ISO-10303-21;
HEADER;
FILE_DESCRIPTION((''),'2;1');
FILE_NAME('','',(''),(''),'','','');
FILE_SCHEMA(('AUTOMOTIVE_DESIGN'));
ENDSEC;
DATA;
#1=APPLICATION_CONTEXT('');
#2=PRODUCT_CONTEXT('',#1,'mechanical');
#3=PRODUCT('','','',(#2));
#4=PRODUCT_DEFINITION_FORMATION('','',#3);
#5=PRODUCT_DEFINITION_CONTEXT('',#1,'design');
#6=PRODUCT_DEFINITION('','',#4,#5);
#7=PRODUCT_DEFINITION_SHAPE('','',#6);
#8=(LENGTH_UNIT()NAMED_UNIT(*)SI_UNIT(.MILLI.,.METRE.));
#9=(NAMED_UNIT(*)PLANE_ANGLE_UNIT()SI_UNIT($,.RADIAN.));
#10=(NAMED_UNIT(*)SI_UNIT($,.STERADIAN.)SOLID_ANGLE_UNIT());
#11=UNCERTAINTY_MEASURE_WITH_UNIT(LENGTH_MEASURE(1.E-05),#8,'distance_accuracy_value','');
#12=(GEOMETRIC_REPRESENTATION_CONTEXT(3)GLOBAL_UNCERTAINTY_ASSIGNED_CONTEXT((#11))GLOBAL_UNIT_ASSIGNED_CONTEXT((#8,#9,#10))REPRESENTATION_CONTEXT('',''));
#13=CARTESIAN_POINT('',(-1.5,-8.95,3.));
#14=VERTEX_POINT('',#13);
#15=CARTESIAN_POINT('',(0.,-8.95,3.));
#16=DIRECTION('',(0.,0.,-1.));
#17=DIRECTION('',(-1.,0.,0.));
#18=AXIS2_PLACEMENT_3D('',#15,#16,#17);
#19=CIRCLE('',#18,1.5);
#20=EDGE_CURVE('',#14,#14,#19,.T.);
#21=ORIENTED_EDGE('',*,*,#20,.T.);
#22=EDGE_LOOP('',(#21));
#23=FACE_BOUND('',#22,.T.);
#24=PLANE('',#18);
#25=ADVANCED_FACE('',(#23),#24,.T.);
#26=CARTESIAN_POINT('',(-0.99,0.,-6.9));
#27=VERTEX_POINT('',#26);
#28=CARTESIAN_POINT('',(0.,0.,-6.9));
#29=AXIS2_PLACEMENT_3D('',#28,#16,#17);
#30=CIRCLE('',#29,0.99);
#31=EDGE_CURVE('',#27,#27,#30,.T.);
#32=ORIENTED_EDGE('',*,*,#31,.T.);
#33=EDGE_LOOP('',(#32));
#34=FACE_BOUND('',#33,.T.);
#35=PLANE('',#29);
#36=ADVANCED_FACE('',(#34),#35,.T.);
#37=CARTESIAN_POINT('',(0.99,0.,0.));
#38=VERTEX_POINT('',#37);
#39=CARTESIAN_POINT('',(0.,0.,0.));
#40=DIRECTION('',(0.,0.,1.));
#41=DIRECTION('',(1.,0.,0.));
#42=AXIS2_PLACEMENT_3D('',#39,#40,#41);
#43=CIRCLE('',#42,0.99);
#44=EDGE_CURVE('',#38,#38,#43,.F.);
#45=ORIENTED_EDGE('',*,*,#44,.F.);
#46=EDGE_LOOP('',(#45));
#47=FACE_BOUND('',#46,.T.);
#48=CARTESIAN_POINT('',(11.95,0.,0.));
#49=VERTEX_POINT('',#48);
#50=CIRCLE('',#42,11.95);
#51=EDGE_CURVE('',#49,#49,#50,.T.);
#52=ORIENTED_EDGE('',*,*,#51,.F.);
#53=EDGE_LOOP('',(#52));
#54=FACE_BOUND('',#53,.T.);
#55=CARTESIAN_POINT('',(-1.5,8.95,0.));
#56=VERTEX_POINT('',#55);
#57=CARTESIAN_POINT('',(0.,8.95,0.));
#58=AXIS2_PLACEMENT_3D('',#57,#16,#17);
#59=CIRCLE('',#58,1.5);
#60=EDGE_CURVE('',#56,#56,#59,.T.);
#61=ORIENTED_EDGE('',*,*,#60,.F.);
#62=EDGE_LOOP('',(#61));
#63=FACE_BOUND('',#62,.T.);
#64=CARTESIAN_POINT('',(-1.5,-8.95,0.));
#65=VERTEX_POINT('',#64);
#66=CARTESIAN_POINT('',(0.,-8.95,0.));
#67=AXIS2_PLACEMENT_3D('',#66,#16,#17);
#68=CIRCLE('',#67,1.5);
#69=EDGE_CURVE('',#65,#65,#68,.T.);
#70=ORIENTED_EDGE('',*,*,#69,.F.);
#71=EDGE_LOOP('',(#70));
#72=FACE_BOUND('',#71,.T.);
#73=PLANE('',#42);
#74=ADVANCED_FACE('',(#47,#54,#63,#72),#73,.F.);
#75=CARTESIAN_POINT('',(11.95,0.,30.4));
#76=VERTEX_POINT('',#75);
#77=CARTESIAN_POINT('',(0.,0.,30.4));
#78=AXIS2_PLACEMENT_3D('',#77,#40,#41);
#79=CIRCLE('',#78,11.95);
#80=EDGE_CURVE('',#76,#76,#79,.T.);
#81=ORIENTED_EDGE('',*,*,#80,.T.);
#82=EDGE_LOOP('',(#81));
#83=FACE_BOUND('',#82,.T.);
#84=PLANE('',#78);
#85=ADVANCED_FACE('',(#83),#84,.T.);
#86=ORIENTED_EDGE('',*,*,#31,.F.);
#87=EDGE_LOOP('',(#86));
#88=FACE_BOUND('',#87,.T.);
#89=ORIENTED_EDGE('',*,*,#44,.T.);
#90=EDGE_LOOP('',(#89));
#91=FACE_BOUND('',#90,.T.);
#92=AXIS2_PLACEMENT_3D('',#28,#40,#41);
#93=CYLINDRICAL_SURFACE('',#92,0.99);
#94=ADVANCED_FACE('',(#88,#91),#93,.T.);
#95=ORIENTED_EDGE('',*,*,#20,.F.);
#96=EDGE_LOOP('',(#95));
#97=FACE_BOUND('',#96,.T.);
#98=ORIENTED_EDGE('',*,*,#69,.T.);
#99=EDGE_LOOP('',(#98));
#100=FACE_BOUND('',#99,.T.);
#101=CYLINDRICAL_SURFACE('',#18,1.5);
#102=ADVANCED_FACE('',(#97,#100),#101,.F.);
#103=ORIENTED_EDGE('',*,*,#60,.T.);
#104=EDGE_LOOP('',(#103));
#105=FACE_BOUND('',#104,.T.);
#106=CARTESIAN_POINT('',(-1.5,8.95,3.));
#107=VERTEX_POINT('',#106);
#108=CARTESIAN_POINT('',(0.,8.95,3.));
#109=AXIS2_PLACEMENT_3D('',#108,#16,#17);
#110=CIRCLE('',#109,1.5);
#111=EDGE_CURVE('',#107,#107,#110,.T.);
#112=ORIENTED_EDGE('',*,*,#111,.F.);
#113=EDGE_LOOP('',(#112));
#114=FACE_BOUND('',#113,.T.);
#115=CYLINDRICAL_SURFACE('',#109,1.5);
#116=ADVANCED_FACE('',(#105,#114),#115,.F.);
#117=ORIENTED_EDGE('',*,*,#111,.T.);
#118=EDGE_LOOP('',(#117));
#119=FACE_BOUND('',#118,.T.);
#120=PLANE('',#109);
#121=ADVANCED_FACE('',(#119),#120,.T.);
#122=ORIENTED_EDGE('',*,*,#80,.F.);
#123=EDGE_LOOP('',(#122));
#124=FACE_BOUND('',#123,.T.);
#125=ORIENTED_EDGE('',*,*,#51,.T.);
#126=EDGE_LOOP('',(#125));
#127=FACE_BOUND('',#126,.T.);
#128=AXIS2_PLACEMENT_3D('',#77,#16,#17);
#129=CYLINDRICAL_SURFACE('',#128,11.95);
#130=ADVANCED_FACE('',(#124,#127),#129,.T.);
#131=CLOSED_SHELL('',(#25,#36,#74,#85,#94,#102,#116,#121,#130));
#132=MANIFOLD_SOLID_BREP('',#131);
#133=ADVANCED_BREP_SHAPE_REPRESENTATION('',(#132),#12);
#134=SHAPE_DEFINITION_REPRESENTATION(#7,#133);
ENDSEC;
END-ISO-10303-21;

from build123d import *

# Parameters (mm, degrees)
SKETCH2_R           = 11.95
BOSS_EXTRUDE1_DEPTH = 30.4
SKETCH4_R           = 1.5
CUT_EXTRUDE2_DEPTH  = 3
SKETCH5_R           = 0.99
BOSS_EXTRUDE2_DEPTH = 6.9


with BuildPart() as part:
    # Sketch2 → Boss-Extrude1 (new body)
    with BuildSketch(Plane.XY):
        Circle(SKETCH2_R)
    extrude(amount=BOSS_EXTRUDE1_DEPTH)

    # Sketch4 → Cut-Extrude2 (cut)
    with BuildSketch(Plane(origin=(0, 0, 0), x_dir=(-1, 0, 0), z_dir=(0, 0, -1))):
        with Locations((0, 8.95)):
            Circle(SKETCH4_R)
        with Locations((0, -8.95)):
            Circle(SKETCH4_R)
    extrude(amount=-CUT_EXTRUDE2_DEPTH, mode=Mode.SUBTRACT)

    # Sketch5 → Boss-Extrude2 (add)
    with BuildSketch(Plane(origin=(0, 0, 0), x_dir=(-1, 0, 0), z_dir=(0, 0, -1))):
        Circle(SKETCH5_R)
    extrude(amount=BOSS_EXTRUDE2_DEPTH)


solid = part.part
